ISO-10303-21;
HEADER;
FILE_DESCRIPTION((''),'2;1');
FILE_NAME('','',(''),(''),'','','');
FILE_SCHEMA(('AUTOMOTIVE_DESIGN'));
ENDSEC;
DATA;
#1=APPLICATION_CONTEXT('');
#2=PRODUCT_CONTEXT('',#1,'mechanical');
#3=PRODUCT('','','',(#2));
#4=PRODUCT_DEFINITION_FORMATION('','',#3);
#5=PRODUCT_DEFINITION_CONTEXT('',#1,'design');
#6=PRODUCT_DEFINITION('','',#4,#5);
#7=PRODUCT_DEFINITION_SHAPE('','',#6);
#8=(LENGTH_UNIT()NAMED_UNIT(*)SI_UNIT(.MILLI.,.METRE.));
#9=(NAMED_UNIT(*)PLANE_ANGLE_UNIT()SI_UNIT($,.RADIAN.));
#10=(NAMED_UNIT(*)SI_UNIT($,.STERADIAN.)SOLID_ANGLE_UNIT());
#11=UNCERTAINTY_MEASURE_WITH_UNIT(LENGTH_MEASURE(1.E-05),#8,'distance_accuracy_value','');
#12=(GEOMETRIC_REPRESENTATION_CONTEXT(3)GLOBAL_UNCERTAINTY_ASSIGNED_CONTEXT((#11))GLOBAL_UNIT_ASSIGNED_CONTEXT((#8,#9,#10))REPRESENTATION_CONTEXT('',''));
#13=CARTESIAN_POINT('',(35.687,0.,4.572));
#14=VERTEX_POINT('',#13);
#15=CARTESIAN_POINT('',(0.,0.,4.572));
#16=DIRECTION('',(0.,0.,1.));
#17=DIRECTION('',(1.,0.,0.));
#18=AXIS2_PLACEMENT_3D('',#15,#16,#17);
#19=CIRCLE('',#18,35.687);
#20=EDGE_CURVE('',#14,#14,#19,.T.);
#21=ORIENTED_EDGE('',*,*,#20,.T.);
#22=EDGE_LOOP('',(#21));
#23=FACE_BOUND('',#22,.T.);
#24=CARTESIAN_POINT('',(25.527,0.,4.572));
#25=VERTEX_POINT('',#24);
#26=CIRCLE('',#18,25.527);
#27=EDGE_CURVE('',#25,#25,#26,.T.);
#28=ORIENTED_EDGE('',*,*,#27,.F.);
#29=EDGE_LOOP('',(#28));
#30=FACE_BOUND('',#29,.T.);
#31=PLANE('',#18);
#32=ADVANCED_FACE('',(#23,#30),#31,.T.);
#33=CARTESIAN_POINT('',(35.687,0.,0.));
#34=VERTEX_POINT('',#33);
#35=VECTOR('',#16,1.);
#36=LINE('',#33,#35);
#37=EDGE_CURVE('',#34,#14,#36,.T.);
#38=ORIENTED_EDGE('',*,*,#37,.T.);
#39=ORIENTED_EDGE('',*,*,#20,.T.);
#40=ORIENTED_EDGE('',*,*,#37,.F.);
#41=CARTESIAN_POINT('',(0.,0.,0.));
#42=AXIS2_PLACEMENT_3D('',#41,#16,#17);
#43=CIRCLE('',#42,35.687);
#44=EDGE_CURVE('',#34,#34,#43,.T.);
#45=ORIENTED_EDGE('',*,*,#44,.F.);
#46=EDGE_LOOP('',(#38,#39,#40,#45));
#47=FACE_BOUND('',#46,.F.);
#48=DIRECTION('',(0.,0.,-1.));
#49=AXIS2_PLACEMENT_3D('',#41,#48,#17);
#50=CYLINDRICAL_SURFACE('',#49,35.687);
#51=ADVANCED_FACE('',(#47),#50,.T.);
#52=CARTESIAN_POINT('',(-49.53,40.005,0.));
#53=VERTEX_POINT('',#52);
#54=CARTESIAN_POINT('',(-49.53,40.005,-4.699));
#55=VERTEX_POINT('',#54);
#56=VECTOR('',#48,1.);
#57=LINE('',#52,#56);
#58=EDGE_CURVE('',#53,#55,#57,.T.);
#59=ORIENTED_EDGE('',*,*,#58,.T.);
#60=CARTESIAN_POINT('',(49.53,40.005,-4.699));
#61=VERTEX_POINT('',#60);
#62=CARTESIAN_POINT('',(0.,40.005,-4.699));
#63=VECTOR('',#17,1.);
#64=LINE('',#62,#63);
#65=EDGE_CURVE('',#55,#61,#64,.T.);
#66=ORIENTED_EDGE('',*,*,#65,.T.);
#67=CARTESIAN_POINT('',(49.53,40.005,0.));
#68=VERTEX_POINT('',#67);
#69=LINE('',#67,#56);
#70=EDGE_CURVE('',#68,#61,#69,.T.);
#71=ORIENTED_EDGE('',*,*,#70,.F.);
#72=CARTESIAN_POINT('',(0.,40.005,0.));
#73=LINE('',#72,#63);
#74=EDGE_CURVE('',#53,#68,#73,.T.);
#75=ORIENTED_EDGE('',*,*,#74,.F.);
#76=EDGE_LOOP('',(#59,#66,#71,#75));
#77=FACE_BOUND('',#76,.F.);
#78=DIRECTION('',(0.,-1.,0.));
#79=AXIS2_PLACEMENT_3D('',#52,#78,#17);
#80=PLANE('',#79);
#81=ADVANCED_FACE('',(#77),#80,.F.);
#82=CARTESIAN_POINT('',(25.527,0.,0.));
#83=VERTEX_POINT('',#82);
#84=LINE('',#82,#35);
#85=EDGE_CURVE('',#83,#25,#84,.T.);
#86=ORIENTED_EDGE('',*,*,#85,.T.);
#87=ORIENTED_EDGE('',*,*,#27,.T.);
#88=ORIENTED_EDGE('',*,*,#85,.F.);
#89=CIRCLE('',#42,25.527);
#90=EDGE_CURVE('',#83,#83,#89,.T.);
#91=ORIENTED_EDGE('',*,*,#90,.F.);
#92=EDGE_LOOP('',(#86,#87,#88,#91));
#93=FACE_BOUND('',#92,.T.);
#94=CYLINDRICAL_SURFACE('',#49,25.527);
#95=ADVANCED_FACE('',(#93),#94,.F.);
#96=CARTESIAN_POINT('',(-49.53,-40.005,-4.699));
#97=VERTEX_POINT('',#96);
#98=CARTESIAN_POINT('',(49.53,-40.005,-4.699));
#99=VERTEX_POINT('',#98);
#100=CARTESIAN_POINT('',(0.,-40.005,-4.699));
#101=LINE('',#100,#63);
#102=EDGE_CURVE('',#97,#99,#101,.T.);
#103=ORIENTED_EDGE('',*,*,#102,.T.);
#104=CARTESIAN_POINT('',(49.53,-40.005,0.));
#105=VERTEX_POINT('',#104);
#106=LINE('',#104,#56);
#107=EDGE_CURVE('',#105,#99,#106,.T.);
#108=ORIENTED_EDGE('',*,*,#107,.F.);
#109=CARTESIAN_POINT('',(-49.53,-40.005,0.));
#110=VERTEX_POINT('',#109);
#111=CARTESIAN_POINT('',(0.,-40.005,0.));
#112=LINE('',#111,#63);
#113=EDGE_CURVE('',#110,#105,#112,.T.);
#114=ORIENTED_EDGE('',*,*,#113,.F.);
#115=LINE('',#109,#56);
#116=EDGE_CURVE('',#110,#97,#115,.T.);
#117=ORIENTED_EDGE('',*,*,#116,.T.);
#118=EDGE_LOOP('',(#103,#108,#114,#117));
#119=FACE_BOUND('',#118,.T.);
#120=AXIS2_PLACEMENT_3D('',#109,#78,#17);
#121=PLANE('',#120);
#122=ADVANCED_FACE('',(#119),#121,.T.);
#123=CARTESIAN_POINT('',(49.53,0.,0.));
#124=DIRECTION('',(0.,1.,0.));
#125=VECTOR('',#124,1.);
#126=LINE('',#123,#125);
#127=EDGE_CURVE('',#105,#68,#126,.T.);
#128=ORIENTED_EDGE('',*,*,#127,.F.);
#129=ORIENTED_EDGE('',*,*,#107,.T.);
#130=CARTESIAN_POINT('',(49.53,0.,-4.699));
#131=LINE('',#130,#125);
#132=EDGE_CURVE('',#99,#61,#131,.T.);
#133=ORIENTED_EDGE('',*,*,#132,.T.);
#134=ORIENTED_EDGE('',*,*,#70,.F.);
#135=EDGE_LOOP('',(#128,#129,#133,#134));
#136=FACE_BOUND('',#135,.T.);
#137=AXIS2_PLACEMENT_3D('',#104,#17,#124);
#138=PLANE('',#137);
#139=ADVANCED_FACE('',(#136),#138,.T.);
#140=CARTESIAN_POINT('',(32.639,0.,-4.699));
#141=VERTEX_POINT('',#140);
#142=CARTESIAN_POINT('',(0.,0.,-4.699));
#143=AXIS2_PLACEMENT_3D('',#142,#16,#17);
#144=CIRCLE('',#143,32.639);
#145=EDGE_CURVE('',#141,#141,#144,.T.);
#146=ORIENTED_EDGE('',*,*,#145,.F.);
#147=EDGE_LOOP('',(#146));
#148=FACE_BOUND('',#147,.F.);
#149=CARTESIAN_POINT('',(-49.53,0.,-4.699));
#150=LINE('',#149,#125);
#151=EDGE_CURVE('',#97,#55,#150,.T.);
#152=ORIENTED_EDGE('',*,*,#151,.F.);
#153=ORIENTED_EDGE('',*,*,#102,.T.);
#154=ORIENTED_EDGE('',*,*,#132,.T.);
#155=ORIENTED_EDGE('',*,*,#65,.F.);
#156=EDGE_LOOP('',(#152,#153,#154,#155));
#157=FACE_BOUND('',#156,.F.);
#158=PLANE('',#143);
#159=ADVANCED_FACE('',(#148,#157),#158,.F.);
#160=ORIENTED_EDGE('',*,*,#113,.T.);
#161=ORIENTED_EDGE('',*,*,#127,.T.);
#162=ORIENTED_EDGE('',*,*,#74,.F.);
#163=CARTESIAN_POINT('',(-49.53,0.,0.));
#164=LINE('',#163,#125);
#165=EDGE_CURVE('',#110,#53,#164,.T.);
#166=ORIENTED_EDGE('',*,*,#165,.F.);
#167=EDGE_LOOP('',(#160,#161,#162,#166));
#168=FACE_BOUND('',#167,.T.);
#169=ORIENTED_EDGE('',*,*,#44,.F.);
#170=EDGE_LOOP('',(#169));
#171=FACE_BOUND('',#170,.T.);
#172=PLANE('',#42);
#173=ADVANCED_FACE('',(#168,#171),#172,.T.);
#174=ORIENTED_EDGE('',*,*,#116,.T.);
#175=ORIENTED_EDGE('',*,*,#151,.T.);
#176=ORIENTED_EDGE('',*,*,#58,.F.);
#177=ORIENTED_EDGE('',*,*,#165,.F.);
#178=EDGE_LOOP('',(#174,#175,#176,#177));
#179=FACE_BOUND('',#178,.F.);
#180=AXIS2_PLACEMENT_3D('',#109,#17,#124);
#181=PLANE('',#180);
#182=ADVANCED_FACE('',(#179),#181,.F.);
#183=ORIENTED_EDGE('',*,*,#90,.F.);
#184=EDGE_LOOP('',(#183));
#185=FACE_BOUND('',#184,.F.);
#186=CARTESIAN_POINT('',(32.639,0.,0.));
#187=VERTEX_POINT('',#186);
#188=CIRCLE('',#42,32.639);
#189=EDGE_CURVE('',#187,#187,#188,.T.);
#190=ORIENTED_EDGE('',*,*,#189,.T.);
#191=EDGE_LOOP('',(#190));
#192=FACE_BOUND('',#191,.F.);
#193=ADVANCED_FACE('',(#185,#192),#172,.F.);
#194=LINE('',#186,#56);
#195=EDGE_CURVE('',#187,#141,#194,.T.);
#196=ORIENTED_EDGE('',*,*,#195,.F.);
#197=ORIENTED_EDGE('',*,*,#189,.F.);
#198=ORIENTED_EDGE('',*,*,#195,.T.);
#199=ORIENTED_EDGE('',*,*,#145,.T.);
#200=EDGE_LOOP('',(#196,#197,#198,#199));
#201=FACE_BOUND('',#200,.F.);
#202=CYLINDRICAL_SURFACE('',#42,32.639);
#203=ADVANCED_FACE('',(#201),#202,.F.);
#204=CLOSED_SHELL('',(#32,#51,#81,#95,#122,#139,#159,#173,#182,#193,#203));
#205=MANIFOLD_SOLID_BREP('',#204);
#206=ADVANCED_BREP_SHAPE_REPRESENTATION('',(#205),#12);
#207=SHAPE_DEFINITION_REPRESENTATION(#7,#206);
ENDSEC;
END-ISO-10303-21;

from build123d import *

# Parameters (mm, degrees)
F0_W     = 99.06
F0_H     = 80.01
F0_R     = 35.687
F0_R_2   = 32.639
F1_DEPTH = 4.699
F0_R_3   = 25.527
F2_DEPTH = 4.572


with BuildPart() as f1:
    # F0 (on Top) → F1 (new body)
    with BuildSketch(Plane.XY):
        Rectangle(F0_W, F0_H)
        Circle(F0_R, mode=Mode.SUBTRACT)
        Circle(F0_R)
        Circle(F0_R_2, mode=Mode.SUBTRACT)
    extrude(amount=-F1_DEPTH)

    # F0 (on Top) → F2 (join)
    with BuildSketch(Plane.XY):
        Circle(F0_R)
        Circle(F0_R_2, mode=Mode.SUBTRACT)
        Circle(F0_R_2)
        Circle(F0_R_3, mode=Mode.SUBTRACT)
    extrude(amount=F2_DEPTH)


solid = f1.part
